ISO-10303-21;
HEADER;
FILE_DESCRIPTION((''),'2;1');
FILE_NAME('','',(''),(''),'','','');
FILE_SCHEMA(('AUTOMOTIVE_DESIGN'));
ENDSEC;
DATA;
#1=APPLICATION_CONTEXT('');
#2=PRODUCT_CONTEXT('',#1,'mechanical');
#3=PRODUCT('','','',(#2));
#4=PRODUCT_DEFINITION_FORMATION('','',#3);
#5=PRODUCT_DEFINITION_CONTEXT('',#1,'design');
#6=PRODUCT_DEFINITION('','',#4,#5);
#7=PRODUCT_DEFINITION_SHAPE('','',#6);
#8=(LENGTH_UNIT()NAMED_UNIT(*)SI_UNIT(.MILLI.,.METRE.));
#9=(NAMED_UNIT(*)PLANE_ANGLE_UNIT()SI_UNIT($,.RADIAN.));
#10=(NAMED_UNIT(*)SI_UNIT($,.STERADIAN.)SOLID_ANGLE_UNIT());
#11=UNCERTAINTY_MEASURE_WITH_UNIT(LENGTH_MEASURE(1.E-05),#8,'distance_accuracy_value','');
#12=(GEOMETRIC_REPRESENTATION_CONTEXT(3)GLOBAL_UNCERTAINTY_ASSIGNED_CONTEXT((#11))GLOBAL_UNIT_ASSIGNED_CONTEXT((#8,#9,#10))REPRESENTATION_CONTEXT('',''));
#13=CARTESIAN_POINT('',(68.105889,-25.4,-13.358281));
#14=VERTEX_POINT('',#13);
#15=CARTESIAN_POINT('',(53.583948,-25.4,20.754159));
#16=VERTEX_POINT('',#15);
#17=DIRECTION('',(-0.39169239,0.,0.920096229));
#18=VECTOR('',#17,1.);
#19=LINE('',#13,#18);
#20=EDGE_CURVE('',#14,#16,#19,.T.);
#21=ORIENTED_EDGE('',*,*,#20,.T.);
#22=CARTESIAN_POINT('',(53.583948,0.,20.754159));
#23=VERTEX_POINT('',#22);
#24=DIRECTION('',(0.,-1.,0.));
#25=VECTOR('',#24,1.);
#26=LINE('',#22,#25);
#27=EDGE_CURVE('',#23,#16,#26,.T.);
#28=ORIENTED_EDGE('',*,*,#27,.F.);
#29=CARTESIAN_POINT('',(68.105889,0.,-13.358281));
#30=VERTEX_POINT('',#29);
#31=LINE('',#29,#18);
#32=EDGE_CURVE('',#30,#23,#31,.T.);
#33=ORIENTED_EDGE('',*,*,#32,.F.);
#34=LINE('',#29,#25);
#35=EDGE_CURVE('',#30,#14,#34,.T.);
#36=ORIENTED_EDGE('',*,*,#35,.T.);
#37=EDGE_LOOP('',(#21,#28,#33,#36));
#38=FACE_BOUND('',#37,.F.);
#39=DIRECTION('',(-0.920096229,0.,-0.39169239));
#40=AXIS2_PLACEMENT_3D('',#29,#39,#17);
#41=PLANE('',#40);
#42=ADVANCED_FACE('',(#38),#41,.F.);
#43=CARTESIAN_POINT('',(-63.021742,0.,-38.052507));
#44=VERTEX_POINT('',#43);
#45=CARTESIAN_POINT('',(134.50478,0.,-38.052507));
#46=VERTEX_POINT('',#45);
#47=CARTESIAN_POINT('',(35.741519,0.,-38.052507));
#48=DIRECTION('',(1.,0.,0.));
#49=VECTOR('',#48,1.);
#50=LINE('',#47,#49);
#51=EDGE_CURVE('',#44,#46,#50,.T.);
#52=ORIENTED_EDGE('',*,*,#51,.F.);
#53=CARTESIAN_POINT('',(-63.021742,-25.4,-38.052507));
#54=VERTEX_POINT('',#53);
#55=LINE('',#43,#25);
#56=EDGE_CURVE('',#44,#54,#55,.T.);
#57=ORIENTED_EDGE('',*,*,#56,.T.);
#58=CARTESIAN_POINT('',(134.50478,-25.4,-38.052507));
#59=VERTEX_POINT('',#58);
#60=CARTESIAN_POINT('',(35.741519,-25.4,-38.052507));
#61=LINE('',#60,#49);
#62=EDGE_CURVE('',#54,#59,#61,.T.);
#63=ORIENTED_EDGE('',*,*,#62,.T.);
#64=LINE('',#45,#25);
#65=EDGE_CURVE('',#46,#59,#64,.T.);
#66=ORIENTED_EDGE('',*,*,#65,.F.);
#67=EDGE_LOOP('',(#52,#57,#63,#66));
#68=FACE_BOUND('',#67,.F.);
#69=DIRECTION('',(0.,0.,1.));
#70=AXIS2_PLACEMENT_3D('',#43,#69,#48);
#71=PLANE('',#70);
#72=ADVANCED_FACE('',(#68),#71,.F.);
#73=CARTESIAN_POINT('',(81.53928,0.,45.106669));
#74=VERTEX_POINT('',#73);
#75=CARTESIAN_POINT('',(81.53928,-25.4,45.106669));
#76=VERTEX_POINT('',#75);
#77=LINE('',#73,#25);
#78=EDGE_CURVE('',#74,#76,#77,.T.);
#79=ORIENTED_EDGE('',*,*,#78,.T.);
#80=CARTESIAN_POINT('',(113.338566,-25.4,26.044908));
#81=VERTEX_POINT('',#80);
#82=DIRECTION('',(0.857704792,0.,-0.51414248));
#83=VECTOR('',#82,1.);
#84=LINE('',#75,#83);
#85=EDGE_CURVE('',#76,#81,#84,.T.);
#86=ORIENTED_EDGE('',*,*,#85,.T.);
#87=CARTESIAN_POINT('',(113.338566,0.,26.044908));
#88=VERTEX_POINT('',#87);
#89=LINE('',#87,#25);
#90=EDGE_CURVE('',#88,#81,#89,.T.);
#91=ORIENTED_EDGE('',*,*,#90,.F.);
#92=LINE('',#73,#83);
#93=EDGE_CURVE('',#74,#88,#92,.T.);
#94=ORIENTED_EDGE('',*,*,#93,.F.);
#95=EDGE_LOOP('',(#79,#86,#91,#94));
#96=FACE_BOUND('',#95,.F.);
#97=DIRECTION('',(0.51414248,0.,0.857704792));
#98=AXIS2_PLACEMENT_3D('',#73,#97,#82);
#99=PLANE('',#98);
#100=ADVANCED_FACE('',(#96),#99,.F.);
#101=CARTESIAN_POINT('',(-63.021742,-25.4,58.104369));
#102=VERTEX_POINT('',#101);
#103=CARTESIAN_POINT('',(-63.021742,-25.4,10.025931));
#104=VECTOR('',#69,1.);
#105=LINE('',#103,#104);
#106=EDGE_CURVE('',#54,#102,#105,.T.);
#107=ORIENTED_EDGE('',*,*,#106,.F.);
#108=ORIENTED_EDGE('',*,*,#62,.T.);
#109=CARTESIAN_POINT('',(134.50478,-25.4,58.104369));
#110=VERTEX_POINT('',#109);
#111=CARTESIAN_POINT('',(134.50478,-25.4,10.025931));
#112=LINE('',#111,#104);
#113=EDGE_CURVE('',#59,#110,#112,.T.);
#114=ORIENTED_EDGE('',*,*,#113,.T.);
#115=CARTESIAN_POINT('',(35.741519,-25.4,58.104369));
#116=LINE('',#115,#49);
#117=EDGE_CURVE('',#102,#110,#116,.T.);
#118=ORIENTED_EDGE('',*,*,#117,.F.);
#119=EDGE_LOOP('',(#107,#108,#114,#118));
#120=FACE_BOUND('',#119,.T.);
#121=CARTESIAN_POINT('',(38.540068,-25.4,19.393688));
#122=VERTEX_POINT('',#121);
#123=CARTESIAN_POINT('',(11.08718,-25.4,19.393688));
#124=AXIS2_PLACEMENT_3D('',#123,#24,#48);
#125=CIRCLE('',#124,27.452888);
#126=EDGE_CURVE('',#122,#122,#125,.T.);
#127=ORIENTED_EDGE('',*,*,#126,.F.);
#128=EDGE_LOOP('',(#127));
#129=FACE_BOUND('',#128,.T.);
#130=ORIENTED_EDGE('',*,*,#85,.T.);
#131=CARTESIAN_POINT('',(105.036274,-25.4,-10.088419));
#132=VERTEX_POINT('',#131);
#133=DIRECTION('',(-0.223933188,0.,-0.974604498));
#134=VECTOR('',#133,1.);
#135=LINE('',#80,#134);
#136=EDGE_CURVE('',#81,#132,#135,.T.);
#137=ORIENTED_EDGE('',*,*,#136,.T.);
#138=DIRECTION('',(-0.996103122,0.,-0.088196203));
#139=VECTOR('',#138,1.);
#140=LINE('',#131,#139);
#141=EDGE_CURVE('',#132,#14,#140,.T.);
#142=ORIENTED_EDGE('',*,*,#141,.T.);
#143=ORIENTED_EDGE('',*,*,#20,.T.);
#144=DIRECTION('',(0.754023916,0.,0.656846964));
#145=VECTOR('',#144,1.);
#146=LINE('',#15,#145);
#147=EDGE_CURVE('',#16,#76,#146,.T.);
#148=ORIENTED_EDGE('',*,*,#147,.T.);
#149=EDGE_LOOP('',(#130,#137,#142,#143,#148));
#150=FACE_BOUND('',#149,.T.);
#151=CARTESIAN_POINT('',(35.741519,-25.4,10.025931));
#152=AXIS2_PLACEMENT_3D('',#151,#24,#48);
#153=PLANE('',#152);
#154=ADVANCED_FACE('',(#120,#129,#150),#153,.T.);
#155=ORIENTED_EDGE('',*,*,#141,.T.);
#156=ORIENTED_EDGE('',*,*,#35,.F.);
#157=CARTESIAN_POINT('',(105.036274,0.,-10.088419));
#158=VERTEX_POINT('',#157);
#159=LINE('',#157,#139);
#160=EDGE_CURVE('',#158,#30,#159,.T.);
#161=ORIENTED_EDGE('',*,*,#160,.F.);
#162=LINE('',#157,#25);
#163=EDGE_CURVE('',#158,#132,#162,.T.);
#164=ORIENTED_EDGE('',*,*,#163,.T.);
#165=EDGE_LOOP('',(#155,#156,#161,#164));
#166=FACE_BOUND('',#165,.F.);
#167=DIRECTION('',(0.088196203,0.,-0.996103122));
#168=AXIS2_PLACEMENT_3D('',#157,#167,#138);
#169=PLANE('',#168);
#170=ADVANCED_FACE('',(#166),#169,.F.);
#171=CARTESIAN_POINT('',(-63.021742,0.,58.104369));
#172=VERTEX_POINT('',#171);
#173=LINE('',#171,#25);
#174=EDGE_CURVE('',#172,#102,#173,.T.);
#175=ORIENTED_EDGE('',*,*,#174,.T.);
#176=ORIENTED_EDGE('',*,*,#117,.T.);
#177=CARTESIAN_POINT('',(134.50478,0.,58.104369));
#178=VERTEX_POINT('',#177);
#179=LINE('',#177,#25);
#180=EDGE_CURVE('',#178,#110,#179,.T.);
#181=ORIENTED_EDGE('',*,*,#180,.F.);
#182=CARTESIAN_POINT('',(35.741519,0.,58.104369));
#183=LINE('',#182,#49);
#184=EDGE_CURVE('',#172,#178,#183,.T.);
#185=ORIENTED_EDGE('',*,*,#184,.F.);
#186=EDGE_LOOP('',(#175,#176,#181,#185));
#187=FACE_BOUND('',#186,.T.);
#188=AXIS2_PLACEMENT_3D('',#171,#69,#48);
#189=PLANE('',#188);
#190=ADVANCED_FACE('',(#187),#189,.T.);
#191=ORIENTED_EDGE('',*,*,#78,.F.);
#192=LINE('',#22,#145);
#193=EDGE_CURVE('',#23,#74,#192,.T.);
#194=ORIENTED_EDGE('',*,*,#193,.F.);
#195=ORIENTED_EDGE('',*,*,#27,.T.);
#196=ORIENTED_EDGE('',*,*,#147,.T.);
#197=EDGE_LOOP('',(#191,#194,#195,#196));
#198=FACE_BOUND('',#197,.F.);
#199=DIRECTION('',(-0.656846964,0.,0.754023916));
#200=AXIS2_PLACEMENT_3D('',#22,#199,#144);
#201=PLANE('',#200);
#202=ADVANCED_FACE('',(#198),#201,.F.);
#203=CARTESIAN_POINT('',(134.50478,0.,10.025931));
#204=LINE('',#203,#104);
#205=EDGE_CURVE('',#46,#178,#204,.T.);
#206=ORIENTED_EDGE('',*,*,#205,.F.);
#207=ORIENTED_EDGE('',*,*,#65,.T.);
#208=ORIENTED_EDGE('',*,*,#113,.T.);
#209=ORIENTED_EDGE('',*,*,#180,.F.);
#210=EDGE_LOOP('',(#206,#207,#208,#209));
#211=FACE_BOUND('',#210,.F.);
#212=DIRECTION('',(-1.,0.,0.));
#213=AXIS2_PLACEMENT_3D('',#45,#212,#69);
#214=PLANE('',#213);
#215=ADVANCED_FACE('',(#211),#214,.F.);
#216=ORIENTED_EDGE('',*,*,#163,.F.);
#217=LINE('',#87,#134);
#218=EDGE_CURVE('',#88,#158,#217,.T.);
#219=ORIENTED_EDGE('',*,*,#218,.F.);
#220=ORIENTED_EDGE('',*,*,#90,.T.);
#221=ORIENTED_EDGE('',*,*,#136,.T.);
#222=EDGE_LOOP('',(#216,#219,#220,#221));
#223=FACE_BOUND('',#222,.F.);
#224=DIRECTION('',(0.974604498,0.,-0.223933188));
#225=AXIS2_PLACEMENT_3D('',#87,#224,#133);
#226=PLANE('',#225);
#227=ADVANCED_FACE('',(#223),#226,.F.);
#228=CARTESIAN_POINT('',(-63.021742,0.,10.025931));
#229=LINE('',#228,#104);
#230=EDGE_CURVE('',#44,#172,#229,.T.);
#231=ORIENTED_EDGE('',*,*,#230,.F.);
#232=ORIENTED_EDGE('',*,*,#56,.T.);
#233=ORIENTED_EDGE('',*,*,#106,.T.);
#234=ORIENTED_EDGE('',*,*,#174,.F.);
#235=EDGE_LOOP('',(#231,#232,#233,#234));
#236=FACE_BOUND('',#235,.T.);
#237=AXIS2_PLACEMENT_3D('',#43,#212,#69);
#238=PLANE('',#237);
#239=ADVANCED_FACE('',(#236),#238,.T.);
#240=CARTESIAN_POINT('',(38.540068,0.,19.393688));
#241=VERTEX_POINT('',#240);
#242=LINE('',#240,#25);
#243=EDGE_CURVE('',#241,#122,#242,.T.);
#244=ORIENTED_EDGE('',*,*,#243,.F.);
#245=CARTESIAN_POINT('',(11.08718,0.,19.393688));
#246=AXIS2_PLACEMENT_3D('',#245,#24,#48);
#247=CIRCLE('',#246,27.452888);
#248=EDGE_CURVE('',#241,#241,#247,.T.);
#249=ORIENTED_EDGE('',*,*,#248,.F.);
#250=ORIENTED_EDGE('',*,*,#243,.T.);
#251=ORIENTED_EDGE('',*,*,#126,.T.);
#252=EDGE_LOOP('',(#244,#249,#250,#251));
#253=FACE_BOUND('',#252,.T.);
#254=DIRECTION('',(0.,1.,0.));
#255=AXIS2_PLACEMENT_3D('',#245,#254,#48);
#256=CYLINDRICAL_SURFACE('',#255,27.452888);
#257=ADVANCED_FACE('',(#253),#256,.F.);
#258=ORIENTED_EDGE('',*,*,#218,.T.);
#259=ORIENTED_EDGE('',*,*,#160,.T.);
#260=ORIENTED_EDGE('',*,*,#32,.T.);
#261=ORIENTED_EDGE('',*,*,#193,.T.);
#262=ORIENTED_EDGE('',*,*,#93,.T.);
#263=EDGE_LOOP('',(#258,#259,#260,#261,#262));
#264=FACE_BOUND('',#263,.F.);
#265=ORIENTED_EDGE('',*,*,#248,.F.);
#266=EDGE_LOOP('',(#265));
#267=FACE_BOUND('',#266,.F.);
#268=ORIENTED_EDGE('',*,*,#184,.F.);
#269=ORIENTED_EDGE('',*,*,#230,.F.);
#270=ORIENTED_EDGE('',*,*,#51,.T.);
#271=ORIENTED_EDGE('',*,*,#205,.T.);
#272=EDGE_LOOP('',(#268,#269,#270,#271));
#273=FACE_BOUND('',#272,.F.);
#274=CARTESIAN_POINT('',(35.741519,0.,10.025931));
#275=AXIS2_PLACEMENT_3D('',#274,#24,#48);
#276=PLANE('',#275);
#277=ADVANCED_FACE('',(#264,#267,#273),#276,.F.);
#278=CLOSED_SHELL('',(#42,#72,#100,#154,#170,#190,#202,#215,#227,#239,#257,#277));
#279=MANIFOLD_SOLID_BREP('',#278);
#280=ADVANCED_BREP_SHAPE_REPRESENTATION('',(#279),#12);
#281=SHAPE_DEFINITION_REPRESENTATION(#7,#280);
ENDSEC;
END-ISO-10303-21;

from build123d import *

# Parameters (mm, degrees)
F0_W     = 197.526522
F0_H     = 96.156877
F0_R     = 27.452888
F1_DEPTH = 25.4


with BuildPart() as f1:
    # F0 (on Front) → F1 (new body)
    with BuildSketch(Plane.XZ):
        with Locations((35.741519, 10.025931)):
            Rectangle(F0_W, F0_H)
        with Locations((11.08718, 19.393688)):
            Circle(F0_R, mode=Mode.SUBTRACT)
        Polygon((113.338566, 26.044908), (105.036274, -10.088419), (68.105889, -13.358281), (53.583948, 20.754159), (81.53928, 45.106669), align=None, mode=Mode.SUBTRACT)
    extrude(amount=F1_DEPTH)


solid = f1.part
